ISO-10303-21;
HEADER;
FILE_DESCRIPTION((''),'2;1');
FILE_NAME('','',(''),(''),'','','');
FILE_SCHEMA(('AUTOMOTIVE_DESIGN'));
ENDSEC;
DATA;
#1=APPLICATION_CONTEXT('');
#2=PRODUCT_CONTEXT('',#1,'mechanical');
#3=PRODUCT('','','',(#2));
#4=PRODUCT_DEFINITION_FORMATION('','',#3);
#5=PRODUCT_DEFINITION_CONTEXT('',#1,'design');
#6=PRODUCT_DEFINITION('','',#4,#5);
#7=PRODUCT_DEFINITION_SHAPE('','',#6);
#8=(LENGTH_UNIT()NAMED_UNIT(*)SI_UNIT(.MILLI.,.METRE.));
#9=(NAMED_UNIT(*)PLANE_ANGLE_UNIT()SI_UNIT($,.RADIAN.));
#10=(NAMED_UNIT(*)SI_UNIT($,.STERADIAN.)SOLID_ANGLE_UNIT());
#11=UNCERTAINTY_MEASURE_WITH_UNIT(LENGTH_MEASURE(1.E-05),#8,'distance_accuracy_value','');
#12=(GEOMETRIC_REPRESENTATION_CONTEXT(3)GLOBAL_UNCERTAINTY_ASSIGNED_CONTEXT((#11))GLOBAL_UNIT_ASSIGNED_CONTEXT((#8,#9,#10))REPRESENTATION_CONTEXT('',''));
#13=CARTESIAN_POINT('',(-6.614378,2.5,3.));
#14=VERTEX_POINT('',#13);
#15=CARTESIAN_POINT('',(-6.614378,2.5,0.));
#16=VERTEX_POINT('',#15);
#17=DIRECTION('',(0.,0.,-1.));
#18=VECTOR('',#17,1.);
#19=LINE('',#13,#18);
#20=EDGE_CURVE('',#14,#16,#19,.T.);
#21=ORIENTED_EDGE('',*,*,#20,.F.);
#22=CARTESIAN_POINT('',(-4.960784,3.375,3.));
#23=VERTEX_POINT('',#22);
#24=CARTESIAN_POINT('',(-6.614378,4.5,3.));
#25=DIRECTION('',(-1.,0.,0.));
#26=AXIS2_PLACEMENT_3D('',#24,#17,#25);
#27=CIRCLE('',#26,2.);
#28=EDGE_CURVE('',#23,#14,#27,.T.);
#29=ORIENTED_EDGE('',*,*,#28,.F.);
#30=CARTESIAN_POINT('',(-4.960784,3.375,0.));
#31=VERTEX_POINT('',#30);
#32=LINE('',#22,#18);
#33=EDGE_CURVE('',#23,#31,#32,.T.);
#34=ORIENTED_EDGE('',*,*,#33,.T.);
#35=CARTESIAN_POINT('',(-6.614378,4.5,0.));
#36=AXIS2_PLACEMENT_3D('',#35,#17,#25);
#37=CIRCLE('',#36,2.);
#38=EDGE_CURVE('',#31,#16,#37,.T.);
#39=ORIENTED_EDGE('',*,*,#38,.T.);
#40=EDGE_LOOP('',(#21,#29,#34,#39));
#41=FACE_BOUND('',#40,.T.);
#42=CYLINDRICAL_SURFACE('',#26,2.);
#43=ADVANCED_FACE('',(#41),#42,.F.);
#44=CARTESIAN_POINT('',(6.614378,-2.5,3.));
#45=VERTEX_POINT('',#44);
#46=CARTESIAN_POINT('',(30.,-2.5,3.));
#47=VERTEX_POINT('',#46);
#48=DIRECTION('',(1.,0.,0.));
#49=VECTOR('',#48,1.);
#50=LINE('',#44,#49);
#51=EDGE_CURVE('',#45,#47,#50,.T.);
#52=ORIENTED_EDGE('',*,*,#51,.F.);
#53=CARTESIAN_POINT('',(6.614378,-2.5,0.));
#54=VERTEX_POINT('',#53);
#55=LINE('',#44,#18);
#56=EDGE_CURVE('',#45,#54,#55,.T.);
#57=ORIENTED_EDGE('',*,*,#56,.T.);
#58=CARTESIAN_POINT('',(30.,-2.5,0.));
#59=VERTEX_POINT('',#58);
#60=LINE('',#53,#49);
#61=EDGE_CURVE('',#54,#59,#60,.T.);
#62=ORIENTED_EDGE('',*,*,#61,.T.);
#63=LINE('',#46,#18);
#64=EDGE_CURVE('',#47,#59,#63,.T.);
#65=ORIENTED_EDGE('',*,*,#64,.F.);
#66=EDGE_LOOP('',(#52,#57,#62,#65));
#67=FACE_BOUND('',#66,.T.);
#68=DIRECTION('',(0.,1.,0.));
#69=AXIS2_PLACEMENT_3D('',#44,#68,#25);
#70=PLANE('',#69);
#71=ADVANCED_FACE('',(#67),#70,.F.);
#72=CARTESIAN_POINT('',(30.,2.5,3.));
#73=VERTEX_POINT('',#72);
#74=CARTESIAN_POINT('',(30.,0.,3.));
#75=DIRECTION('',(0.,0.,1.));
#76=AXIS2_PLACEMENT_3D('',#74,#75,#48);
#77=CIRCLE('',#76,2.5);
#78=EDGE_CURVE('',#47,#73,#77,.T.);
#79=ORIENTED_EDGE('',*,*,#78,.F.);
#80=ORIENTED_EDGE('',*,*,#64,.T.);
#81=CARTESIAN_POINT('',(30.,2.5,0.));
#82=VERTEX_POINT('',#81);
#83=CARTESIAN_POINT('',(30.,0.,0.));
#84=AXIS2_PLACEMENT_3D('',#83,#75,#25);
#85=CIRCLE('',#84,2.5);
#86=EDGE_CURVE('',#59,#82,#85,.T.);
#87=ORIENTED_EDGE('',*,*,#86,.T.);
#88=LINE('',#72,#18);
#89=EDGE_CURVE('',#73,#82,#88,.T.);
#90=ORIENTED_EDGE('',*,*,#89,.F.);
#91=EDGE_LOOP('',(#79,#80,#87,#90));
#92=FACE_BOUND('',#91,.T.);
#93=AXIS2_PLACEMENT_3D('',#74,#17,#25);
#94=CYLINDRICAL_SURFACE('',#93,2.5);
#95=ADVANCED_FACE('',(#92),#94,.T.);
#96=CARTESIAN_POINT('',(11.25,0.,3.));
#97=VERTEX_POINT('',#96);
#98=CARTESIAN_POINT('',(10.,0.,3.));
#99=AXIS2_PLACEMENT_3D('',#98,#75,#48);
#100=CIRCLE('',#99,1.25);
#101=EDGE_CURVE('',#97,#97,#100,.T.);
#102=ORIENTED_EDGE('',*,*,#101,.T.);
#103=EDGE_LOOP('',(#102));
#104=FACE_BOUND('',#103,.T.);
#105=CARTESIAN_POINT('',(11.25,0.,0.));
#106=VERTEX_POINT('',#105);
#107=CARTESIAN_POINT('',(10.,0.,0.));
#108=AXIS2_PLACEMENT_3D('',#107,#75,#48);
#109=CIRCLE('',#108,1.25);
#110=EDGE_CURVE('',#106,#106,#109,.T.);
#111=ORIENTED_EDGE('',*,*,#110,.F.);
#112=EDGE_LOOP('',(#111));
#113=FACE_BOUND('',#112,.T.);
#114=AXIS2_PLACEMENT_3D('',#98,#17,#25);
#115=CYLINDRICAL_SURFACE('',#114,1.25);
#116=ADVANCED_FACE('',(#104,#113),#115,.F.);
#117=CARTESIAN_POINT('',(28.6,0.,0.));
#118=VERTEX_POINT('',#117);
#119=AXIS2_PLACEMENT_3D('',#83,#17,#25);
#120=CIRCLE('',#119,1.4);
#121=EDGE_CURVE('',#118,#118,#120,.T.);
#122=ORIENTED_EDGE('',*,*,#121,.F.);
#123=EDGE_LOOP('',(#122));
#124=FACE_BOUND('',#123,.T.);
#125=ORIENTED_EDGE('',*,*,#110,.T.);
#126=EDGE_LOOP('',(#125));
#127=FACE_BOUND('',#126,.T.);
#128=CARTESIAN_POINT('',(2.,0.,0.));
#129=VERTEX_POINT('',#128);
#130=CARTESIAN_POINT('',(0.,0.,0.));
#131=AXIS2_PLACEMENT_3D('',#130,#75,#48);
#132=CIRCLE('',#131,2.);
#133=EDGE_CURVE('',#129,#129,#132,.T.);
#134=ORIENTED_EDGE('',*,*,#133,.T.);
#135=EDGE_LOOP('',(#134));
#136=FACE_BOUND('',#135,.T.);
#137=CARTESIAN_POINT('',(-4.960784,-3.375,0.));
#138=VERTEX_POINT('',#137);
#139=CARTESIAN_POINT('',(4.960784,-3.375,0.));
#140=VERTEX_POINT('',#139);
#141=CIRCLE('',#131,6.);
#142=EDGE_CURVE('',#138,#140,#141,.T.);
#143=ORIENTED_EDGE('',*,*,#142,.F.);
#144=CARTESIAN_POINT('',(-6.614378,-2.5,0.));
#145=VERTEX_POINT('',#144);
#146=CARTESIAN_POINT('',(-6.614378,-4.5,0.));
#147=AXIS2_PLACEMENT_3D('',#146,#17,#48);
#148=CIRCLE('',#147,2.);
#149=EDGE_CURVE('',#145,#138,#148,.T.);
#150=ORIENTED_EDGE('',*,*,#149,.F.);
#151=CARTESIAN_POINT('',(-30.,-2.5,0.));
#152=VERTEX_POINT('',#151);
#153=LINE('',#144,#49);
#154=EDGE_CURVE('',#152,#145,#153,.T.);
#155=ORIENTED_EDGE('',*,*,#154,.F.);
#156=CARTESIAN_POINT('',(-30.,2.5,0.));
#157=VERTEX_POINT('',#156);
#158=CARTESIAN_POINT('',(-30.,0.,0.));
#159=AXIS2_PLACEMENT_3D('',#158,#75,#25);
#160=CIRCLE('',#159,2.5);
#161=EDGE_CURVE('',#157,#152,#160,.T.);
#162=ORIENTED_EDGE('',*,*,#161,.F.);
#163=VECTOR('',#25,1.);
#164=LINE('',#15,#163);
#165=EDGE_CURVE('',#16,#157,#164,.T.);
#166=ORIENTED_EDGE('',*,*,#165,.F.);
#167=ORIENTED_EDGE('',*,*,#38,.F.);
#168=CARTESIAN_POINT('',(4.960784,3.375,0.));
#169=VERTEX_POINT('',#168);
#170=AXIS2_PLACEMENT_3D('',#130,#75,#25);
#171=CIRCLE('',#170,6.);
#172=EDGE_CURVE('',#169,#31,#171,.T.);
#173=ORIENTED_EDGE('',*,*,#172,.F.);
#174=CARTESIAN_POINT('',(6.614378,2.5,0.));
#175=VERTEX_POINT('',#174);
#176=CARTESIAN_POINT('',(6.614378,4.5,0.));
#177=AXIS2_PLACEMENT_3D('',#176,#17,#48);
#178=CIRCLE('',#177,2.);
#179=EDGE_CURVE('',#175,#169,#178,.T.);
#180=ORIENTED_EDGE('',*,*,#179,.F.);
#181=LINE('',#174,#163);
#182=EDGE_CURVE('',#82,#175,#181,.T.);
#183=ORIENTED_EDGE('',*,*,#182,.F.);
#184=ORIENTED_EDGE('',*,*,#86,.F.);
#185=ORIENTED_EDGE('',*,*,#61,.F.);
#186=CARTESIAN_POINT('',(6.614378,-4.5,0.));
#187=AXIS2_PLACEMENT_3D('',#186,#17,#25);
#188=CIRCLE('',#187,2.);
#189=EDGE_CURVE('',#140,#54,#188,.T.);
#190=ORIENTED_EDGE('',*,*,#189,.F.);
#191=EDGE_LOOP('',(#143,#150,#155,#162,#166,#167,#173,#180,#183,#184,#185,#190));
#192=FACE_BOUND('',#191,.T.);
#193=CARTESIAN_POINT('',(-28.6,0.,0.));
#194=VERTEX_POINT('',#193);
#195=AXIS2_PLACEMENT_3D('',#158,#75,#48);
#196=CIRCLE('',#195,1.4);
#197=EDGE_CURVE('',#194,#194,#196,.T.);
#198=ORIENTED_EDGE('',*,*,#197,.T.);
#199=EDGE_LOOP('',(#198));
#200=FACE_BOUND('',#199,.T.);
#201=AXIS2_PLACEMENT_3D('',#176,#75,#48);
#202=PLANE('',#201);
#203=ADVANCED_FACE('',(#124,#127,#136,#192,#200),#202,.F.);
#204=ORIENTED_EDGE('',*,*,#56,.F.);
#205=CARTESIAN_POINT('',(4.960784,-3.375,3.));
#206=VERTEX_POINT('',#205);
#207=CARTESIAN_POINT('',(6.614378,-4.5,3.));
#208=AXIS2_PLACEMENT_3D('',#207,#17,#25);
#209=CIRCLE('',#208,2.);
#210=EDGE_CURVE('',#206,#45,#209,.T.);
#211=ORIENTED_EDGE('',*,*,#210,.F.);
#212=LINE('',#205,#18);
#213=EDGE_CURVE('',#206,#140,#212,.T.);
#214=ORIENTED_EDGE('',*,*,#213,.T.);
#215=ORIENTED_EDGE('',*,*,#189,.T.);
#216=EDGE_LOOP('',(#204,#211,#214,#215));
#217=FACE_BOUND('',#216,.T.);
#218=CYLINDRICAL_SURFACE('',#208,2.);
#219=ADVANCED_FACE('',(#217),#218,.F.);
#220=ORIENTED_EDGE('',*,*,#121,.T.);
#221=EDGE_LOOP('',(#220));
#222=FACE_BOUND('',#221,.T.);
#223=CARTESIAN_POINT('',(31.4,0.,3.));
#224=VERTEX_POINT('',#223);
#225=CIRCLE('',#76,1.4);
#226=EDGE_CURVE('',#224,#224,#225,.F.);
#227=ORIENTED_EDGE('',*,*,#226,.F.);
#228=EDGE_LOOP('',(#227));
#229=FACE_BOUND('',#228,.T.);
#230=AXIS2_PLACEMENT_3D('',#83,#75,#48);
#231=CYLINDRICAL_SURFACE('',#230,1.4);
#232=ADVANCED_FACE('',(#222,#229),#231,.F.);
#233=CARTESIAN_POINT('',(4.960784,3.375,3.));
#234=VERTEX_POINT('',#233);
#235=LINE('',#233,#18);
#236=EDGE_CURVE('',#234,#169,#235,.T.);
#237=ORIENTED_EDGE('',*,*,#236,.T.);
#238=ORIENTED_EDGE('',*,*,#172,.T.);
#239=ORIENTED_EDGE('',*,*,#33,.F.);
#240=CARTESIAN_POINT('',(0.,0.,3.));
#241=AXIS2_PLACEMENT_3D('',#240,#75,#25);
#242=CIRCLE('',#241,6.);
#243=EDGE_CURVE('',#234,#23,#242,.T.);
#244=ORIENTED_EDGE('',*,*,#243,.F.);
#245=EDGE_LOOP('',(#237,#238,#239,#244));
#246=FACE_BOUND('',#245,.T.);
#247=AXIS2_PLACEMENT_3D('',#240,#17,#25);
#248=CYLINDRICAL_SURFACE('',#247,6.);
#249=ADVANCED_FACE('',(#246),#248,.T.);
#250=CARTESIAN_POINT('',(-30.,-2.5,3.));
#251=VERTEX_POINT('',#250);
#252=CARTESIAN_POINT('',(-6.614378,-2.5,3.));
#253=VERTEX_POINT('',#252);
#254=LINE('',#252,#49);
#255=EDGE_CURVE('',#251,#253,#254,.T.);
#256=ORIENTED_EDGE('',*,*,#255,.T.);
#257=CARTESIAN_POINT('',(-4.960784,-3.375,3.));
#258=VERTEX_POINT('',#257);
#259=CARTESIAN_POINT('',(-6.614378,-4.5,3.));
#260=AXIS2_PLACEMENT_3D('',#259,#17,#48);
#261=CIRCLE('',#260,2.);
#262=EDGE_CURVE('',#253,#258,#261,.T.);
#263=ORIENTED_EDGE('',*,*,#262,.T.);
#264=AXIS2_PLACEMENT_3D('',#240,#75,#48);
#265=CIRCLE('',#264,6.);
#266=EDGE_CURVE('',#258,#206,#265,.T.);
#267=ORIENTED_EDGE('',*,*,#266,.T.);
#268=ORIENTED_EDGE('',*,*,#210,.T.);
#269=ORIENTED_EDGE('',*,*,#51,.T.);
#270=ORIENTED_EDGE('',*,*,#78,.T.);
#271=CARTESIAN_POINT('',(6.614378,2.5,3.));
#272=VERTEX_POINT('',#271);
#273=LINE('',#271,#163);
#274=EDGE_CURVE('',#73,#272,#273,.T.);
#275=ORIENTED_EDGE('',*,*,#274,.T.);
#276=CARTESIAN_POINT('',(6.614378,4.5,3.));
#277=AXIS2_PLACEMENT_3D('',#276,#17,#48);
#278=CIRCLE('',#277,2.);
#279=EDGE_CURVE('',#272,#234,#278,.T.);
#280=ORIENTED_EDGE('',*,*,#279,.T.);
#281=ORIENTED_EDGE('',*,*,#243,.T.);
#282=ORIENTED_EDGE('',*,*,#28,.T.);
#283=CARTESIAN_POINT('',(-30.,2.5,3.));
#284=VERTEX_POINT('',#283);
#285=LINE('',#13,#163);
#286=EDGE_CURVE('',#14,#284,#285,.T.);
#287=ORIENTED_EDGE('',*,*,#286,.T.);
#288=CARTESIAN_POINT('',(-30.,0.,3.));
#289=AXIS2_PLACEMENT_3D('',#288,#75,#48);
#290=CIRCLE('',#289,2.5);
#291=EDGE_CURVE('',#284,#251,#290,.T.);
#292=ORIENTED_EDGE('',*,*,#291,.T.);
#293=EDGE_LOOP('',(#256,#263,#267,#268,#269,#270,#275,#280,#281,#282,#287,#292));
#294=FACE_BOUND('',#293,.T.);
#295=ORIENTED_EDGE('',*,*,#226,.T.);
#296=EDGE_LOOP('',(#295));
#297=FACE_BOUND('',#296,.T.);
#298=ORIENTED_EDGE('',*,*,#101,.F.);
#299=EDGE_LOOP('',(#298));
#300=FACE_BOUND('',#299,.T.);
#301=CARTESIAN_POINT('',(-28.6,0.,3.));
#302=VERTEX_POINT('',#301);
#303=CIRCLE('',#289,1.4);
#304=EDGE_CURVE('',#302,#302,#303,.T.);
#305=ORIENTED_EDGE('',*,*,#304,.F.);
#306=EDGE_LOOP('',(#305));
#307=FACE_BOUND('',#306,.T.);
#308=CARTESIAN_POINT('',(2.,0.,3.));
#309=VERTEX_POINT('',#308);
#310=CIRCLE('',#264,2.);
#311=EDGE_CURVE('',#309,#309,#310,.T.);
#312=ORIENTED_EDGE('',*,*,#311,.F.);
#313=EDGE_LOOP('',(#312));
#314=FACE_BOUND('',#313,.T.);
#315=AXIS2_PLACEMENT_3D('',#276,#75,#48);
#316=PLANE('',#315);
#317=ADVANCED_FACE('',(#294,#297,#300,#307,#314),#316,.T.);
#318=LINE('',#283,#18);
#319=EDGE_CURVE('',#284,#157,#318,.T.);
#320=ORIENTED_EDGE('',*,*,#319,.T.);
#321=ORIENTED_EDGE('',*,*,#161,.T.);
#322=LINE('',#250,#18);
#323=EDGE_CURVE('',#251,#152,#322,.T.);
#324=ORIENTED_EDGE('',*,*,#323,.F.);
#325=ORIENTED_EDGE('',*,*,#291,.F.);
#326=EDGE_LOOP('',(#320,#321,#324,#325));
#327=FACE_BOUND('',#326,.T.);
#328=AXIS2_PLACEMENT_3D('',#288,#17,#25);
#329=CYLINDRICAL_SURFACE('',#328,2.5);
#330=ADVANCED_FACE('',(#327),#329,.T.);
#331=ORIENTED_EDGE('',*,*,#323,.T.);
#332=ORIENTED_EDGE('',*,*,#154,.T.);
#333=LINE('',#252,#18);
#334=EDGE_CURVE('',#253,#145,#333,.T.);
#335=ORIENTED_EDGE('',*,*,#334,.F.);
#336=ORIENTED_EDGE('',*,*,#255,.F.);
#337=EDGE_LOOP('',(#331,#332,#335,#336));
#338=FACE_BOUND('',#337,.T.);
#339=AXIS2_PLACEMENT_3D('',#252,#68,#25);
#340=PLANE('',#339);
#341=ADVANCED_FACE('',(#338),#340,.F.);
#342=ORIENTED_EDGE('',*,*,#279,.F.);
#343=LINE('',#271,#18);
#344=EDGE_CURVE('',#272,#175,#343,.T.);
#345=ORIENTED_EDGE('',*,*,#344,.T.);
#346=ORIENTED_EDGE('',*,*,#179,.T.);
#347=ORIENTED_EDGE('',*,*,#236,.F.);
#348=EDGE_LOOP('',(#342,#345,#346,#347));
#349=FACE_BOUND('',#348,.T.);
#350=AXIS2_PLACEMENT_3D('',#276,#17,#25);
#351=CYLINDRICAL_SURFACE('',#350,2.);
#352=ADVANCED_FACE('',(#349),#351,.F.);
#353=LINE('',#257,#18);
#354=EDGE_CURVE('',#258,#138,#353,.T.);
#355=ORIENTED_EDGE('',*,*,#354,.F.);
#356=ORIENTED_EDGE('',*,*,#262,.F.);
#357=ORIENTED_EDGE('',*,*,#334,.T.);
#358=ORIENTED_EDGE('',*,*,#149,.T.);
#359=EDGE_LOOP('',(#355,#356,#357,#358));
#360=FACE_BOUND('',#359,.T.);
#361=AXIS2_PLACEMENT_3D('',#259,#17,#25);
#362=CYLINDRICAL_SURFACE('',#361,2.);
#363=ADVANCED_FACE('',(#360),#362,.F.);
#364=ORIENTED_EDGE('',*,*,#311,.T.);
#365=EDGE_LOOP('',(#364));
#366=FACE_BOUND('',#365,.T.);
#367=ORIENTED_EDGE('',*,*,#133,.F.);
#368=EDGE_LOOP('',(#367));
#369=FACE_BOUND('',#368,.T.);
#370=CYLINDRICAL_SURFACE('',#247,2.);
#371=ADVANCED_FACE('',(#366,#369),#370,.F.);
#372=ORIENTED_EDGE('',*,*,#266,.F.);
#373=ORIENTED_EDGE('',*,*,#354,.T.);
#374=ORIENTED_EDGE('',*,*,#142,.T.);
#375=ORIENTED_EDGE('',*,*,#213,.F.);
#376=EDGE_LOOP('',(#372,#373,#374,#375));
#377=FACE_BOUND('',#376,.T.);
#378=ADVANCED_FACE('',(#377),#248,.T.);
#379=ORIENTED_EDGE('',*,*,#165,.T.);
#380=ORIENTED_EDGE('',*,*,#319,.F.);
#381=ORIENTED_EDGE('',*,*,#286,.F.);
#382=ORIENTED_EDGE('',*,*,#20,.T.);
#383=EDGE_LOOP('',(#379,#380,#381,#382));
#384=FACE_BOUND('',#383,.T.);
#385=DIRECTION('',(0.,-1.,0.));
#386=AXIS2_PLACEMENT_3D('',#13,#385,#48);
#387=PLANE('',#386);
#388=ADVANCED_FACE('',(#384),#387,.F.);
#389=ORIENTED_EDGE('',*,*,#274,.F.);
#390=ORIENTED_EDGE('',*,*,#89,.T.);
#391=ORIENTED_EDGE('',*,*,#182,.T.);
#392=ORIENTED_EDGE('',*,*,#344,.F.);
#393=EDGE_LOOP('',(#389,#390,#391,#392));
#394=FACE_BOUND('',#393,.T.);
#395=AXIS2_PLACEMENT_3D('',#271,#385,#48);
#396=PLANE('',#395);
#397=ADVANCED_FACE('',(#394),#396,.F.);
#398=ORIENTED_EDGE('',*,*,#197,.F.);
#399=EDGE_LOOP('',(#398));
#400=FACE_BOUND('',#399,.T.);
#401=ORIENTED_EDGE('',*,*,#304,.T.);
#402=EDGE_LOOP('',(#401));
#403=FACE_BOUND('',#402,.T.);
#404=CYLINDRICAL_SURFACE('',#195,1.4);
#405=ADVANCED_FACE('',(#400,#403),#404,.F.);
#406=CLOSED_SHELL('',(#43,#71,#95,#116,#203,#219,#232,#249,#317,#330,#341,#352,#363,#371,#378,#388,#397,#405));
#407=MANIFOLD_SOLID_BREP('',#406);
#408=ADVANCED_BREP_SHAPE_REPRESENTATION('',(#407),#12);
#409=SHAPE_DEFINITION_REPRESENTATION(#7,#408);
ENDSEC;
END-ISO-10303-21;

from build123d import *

# Parameters (mm, degrees)
ESBO_O1_R                = 2
ESBO_O1_R_2              = 1.25
RESSALTO_EXTRUS_O1_DEPTH = 3
CORTE_EXTRUS_O1_START    = -4
ESBO_O6_R                = 1.4
CORTE_EXTRUS_O1_DEPTH    = 5


with BuildPart() as part:
    # Esboço1 → Ressalto-extrusão1 (new body)
    with BuildSketch(Plane.XY):
        with BuildLine():
            Line((6.614378278, 2.5), (30, 2.5))
            ThreePointArc((30, 2.5), (31.767766953, 1.767766953), (32.5, 0))
            ThreePointArc((32.5, 0), (31.767766953, -1.767766953), (30, -2.5))
            Line((30, -2.5), (6.614378278, -2.5))
            ThreePointArc((6.614378278, -2.5), (5.678963931, -2.732233047), (4.960783708, -3.375))
            ThreePointArc((4.960783708, -3.375), (0, -6), (-4.960783708, -3.375))
            ThreePointArc((-4.960783708, -3.375), (-5.678963931, -2.732233047), (-6.614378278, -2.5))
            Line((-6.614378278, -2.5), (-30, -2.5))
            ThreePointArc((-30, -2.5), (-31.767766953, -1.767766953), (-32.5, 0))
            ThreePointArc((-32.5, 0), (-31.767766953, 1.767766953), (-30, 2.5))
            Line((-30, 2.5), (-6.614378278, 2.5))
            ThreePointArc((-6.614378278, 2.5), (-5.678963931, 2.732233047), (-4.960783708, 3.375))
            ThreePointArc((-4.960783708, 3.375), (0, 6), (4.960783708, 3.375))
            ThreePointArc((4.960783708, 3.375), (5.678963931, 2.732233047), (6.614378278, 2.5))
        make_face()
        Circle(ESBO_O1_R, mode=Mode.SUBTRACT)
        with Locations((10, 0)):
            Circle(ESBO_O1_R_2, mode=Mode.SUBTRACT)
    extrude(amount=RESSALTO_EXTRUS_O1_DEPTH)

    # Esboço6 → Corte-extrusão1 (cut)
    with BuildSketch(Plane(origin=(0, 0, 3), x_dir=(0, 1, 0), z_dir=(0, 0, 1)).offset(CORTE_EXTRUS_O1_START)):
        with Locations((0, 30)):
            Circle(ESBO_O6_R)
    corte_extrus_o1 = extrude(amount=CORTE_EXTRUS_O1_DEPTH, mode=Mode.SUBTRACT)

    # Espelhar1: Corte-extrusão1 across plane
    add(corte_extrus_o1.mirror(Plane(origin=(0, 0, 0), x_dir=(0, 0, 1), z_dir=(1, 0, 0))), mode=Mode.SUBTRACT)


solid = part.part
